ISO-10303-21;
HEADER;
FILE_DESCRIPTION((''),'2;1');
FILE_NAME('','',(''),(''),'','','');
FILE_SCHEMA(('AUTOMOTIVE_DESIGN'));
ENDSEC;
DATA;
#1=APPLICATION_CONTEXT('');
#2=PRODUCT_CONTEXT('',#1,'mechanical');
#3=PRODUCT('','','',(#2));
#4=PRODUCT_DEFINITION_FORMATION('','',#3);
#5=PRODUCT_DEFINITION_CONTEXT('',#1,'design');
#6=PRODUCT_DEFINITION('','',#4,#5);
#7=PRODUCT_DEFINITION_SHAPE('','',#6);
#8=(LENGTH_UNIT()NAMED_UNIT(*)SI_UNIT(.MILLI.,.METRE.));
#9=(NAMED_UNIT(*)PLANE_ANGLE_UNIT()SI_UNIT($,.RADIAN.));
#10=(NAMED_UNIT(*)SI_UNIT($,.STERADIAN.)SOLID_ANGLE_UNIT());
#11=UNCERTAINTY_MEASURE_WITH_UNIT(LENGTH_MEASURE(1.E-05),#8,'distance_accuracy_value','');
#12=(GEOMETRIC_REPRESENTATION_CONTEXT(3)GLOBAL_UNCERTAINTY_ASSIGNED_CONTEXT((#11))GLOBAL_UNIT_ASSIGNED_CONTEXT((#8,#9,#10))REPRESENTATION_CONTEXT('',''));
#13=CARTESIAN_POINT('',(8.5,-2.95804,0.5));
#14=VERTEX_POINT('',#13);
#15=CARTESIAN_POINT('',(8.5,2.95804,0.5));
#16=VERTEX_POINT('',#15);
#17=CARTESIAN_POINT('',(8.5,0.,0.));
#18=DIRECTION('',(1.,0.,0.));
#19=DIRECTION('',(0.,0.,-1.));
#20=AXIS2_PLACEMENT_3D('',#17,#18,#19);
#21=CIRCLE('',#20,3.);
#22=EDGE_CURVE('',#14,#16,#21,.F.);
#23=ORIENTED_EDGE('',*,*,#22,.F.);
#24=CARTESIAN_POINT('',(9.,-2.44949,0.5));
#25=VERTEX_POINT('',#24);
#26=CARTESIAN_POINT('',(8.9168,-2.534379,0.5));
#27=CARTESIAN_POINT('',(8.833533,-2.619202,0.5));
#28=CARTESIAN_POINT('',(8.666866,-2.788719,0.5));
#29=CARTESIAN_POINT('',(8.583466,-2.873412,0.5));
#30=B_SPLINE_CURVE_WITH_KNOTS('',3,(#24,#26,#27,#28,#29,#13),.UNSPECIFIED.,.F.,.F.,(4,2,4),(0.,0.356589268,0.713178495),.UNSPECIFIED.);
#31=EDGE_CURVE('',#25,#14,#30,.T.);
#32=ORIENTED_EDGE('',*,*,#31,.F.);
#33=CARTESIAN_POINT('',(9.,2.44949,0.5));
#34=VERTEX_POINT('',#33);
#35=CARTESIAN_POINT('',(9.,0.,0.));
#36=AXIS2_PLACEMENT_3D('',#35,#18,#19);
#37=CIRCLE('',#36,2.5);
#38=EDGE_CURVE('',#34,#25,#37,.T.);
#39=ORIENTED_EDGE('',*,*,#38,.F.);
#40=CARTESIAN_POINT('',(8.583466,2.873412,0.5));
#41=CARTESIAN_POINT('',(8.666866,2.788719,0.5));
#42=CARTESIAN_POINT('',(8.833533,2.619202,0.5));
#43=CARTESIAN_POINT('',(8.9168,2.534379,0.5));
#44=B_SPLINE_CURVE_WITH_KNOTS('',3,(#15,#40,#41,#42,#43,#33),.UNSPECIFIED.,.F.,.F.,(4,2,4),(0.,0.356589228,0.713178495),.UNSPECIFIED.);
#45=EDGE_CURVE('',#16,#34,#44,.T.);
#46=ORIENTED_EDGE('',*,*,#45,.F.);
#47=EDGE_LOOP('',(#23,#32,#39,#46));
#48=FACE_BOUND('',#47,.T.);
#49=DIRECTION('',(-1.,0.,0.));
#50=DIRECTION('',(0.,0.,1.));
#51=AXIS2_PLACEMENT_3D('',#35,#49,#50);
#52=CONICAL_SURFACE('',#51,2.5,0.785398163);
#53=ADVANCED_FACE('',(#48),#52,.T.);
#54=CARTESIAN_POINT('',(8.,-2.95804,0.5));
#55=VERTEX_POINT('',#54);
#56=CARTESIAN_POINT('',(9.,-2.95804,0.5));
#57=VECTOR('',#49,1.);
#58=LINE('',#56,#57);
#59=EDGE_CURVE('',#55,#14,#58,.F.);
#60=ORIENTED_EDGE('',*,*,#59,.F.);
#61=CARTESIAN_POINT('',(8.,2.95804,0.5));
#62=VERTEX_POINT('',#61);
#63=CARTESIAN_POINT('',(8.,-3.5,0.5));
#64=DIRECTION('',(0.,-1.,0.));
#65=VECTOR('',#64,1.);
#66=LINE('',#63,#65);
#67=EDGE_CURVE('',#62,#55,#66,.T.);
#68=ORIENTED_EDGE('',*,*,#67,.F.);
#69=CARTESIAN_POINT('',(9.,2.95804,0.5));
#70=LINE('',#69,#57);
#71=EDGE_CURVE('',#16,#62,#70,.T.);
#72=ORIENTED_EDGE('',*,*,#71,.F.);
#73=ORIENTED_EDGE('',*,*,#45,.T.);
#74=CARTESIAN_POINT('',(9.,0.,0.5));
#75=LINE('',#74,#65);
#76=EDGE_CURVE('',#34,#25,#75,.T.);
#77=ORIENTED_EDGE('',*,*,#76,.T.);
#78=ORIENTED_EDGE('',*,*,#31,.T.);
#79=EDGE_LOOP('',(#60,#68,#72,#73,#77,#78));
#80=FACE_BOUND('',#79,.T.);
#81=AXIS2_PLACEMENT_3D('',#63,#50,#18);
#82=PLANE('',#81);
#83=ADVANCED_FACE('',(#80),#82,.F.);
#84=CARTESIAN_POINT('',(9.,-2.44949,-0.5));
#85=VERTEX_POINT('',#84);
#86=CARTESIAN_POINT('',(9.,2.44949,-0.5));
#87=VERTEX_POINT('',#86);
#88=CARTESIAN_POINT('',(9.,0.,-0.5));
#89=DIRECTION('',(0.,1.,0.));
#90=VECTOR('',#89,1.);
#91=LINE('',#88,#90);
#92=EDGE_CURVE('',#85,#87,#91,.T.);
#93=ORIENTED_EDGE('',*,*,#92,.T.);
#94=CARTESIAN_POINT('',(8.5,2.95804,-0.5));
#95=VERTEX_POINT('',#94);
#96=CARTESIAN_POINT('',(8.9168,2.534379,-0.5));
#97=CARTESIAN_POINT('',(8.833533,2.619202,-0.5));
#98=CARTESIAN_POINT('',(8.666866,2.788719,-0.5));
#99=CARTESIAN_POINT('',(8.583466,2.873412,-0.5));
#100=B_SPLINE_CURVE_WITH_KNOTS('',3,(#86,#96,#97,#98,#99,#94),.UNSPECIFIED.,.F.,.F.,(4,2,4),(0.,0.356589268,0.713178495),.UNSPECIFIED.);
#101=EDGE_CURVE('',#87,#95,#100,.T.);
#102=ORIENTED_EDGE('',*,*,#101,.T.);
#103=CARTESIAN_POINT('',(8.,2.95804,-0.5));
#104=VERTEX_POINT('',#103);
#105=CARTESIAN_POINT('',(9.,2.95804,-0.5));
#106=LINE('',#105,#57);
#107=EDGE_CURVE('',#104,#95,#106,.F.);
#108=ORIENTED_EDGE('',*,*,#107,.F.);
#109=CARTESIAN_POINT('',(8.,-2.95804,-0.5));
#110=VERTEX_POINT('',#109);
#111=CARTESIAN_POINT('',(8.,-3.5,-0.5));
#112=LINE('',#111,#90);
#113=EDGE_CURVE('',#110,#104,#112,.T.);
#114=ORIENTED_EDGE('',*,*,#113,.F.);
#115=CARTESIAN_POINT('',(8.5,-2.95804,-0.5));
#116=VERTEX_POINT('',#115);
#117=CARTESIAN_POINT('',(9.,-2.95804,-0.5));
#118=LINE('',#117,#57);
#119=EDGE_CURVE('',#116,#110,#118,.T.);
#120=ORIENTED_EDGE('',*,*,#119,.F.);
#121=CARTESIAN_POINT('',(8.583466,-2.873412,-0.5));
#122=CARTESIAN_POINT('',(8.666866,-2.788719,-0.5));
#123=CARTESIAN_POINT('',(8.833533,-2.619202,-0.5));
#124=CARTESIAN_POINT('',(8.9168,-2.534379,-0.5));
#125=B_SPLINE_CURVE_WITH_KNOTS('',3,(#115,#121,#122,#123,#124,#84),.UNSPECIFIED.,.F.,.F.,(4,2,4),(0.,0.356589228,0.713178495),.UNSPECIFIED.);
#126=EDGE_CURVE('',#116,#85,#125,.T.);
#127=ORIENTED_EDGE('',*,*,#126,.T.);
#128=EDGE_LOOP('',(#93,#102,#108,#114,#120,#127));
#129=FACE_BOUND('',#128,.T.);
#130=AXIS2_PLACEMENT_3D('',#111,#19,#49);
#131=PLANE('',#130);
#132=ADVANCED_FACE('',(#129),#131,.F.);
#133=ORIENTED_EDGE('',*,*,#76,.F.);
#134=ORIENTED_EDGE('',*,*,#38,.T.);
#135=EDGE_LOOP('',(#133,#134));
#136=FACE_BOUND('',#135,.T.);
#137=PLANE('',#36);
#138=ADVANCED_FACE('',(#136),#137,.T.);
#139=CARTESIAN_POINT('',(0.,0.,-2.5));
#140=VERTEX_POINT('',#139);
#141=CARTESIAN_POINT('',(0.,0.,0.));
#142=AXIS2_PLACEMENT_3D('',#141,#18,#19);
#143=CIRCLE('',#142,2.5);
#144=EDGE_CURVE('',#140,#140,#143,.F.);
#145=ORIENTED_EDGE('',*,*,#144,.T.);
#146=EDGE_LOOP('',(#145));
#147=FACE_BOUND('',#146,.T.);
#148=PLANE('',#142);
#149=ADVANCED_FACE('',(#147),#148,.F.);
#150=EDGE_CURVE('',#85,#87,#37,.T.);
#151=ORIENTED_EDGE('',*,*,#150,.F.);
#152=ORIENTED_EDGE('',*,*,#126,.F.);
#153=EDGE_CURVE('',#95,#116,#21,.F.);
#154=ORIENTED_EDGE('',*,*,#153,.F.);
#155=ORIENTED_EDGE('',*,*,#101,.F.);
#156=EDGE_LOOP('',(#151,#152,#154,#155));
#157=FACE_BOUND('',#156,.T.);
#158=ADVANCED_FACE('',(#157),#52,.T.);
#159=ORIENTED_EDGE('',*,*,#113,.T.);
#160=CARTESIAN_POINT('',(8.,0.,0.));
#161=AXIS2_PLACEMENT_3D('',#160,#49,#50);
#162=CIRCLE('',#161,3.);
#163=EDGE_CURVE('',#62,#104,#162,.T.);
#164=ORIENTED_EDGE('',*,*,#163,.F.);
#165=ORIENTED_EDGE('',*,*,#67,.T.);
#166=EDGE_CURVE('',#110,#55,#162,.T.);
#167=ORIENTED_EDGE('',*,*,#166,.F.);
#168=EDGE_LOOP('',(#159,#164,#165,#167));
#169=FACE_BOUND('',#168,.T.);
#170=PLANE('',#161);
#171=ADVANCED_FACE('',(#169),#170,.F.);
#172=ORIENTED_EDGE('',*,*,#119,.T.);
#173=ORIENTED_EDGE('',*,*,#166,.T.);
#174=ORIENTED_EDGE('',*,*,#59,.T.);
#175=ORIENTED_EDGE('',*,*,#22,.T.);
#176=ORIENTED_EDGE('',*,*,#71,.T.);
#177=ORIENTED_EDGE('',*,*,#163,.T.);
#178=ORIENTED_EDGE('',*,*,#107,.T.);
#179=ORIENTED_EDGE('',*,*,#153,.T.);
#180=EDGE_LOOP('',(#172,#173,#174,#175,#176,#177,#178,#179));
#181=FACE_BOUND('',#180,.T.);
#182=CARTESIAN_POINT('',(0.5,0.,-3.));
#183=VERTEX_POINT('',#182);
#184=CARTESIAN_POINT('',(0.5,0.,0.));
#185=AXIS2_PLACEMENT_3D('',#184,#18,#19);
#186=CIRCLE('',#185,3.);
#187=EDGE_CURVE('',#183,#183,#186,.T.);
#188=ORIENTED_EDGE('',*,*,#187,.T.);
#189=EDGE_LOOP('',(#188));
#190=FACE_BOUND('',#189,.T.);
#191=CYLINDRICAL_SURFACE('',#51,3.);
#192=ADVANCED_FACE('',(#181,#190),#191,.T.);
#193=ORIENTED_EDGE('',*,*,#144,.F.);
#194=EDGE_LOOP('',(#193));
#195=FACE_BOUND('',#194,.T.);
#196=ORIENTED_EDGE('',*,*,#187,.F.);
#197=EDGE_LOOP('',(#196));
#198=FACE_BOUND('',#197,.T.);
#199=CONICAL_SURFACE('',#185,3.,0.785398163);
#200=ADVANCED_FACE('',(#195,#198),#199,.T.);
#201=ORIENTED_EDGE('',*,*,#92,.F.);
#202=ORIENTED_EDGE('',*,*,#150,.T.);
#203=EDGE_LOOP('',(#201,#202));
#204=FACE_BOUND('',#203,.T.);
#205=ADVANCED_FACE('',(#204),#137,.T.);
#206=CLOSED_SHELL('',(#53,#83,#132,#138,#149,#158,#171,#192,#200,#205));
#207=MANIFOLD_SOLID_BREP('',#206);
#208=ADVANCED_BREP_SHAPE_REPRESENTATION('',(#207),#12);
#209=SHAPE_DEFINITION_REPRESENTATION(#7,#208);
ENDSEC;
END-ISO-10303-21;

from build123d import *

# Parameters (mm, degrees)
CROQUIS1_R              = 3
SALIENTE_EXTRUIR1_DEPTH = 9
CROQUIS2_W              = 1
CROQUIS2_H              = 7
CORTAR_EXTRUIR1_DEPTH   = 1
CHAFL_N1_SIZE           = 0.5


with BuildPart() as part:
    # Croquis1 → Saliente-Extruir1 (new body)
    with BuildSketch(Plane(origin=(0, 0, 0), x_dir=(0, 0, -1), z_dir=(1, 0, 0))):
        Circle(CROQUIS1_R)
    extrude(amount=SALIENTE_EXTRUIR1_DEPTH)

    # Croquis2 → Cortar-Extruir1 (cut)
    with BuildSketch(Plane(origin=(9, 0, 0), x_dir=(0, 0, -1), z_dir=(1, 0, 0))):
        Rectangle(CROQUIS2_W, CROQUIS2_H)
    extrude(amount=-CORTAR_EXTRUIR1_DEPTH, mode=Mode.SUBTRACT)

    # Chaflán1
    chafl_n1_edges = [part.edges().sort_by_distance(p)[0] for p in [
        (0, 0, 3),
        (9, 0, 3),
        (9, -1.936491673, -2.291287847),
    ]]
    chamfer(chafl_n1_edges, length=CHAFL_N1_SIZE)


solid = part.part
